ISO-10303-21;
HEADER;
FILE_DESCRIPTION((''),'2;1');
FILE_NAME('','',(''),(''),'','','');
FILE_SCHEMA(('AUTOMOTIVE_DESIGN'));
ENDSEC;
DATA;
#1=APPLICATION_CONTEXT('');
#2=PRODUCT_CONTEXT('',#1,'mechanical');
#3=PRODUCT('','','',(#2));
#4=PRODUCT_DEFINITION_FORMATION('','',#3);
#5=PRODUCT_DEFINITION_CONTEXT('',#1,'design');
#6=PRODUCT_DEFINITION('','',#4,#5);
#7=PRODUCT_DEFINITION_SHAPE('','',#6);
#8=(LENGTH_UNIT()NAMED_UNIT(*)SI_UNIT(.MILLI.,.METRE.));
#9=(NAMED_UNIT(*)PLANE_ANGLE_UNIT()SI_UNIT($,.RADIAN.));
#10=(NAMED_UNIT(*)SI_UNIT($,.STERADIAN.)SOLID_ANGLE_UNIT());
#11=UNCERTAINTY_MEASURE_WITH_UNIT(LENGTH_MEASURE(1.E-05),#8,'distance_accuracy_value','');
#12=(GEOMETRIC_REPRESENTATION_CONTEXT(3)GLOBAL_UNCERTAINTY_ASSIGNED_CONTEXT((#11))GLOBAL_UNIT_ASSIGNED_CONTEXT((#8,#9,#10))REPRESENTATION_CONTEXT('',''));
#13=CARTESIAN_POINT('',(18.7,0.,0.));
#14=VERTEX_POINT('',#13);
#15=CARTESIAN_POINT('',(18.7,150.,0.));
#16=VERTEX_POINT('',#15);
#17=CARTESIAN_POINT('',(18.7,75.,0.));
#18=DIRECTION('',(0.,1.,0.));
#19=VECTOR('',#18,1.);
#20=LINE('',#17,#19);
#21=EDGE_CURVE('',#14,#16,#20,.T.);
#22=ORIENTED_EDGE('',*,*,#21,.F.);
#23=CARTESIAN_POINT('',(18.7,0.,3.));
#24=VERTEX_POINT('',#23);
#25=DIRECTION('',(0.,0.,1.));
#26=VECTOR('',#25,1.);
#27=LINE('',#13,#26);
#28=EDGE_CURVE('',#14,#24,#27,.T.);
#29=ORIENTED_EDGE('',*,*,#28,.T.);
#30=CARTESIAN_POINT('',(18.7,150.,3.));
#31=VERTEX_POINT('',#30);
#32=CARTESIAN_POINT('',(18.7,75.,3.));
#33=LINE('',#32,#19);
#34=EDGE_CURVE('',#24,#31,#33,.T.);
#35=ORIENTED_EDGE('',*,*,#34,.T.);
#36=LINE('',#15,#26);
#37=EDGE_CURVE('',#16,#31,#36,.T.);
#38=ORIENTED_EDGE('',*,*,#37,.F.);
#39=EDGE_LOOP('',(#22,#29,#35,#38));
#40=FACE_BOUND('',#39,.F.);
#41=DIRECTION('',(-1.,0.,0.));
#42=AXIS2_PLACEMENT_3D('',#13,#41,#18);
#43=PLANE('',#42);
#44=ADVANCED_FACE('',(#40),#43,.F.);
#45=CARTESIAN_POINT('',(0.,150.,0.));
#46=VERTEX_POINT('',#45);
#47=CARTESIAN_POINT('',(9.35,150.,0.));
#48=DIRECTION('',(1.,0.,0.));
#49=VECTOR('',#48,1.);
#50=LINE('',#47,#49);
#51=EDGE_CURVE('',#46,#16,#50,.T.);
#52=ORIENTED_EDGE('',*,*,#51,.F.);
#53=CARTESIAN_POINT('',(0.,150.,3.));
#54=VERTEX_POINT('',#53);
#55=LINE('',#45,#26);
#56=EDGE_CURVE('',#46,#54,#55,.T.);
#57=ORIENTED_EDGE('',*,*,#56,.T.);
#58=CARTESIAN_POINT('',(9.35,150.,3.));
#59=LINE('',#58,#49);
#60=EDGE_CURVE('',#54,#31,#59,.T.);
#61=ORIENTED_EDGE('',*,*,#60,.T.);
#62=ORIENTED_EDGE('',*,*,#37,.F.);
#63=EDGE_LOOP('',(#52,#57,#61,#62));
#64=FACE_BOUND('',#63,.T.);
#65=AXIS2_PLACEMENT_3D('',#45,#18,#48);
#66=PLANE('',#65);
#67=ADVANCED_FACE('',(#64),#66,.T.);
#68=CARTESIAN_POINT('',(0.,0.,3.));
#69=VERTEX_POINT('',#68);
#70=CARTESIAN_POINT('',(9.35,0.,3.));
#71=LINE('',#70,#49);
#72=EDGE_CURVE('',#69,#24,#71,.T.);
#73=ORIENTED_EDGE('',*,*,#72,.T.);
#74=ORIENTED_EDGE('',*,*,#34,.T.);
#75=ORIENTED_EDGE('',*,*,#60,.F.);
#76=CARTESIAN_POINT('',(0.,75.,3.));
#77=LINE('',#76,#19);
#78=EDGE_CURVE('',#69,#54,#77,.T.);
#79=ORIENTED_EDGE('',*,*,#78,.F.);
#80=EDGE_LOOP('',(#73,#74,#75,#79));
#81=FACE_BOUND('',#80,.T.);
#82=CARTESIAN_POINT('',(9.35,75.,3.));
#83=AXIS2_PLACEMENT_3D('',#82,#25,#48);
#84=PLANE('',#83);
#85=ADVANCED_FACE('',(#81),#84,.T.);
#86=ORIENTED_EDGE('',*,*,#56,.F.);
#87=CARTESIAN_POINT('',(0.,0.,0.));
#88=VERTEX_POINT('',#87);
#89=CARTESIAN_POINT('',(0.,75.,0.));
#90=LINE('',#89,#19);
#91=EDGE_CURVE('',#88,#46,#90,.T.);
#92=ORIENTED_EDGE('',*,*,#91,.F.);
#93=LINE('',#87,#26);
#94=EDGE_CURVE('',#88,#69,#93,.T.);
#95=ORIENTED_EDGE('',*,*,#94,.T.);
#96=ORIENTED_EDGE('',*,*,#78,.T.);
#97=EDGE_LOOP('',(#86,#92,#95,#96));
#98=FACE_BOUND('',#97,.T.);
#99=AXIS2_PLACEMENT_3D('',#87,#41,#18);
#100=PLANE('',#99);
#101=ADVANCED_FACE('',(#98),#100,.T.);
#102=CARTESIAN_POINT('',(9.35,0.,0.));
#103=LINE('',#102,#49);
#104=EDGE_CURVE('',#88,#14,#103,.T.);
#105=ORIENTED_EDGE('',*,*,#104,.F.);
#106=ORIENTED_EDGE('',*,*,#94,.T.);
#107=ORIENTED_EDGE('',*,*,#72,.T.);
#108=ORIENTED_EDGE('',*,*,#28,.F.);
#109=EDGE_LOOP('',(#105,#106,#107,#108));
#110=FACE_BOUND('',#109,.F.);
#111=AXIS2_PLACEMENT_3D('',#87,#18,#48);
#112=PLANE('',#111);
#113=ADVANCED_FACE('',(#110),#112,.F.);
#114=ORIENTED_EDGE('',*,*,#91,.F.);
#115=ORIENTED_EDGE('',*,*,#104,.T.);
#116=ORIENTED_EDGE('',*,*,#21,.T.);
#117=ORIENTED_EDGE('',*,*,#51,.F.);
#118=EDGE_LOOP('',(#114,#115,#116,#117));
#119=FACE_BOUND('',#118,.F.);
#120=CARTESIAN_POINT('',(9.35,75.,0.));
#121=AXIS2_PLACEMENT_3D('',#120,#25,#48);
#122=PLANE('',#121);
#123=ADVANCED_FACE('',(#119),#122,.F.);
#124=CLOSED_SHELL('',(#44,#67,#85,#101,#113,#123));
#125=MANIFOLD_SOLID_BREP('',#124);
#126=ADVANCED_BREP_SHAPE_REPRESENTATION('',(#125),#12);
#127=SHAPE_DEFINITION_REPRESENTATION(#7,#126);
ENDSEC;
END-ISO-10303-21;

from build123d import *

# Parameters (mm, degrees)
BOX_W     = 18.7
BOX_H     = 150
BOX_DEPTH = 3


with BuildPart() as part:
    # Box → Box (new body)
    with BuildSketch(Plane.XY):
        with Locations((9.35, 75)):
            Rectangle(BOX_W, BOX_H)
    extrude(amount=BOX_DEPTH)


solid = part.part
